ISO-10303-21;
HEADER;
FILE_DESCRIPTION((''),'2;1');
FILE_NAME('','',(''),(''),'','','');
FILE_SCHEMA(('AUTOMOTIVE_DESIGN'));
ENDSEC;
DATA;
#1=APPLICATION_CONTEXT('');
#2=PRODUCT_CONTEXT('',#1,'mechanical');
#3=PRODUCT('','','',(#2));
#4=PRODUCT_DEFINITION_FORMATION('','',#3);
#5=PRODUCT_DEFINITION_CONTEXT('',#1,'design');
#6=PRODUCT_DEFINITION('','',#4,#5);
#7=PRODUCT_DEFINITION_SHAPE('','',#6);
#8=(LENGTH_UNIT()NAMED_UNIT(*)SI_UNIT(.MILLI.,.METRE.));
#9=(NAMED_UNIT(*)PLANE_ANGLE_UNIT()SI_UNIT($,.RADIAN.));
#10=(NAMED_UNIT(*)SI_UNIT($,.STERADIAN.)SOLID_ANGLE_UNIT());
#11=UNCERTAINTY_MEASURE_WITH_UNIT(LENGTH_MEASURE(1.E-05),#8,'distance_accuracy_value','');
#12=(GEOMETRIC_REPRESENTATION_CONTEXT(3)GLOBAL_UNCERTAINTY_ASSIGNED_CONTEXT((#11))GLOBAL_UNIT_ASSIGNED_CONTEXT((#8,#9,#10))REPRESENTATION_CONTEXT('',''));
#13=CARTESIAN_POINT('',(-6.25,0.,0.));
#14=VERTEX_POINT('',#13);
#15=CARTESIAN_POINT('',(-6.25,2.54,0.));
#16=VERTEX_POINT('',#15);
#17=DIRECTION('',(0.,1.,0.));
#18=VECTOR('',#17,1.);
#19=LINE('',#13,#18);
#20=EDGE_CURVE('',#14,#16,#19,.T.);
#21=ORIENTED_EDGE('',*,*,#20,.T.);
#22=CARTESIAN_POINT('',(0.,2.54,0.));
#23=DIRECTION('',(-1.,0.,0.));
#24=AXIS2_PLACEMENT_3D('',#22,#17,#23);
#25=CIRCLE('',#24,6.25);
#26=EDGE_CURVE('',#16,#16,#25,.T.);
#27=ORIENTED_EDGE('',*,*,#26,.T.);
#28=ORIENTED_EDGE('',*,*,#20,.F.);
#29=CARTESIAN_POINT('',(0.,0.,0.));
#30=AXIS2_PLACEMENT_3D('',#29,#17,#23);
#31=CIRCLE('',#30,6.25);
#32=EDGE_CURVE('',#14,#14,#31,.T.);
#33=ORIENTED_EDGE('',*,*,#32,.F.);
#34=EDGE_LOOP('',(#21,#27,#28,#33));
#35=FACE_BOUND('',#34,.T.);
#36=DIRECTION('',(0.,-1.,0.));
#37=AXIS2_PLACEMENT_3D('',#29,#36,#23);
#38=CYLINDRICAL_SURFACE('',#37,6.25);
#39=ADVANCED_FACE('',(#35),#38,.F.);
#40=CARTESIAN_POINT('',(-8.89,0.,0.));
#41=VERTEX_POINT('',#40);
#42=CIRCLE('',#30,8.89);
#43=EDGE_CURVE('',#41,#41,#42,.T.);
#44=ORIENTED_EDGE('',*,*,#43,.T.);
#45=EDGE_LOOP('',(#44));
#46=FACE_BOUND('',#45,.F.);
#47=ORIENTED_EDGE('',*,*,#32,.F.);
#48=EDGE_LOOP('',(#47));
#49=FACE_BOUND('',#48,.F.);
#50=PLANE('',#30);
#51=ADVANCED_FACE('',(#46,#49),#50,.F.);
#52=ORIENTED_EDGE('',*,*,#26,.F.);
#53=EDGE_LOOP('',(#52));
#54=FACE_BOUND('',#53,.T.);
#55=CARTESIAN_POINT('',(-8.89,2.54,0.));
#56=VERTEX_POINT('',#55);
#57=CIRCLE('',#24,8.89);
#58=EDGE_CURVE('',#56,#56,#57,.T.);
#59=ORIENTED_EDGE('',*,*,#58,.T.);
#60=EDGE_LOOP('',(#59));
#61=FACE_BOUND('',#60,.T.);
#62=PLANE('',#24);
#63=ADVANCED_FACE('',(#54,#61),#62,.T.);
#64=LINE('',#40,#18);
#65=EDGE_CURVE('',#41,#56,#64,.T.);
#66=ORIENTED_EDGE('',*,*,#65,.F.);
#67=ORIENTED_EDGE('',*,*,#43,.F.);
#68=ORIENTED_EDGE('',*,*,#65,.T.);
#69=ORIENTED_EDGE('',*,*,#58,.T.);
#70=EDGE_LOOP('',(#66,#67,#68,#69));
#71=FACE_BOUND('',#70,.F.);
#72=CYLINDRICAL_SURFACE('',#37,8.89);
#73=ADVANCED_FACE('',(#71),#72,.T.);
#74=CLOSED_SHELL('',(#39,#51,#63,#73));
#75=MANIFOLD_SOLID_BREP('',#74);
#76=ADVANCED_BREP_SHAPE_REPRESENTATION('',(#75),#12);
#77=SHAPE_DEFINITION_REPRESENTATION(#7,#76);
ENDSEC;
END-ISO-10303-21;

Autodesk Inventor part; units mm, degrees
ref_plane "YZ Plane" through (0, 0, 0) normal (1, 0, 0) x (0, 1, 0)
ref_plane "XZ Plane" through (0, 0, 0) normal (0, 1, 0) x (-1, 0, 0)
ref_plane "XY Plane" through (0, 0, 0) normal (0, 0, 1) x (1, 0, 0)
sketch "Sketch1" plane through (0, 0, 0) normal (0, 1, 0) x (-1, 0, 0)
  circle A0 centre (0, 0) radius 6.25
  circle A1 centre (0, 0) radius 8.89
  dimension "d0" = 12.5
  dimension "d1" = 17.78
extrude "Extrusion1" add sketch "Sketch1" along normal blind 2.54
properties part number "BearingOutTest"
